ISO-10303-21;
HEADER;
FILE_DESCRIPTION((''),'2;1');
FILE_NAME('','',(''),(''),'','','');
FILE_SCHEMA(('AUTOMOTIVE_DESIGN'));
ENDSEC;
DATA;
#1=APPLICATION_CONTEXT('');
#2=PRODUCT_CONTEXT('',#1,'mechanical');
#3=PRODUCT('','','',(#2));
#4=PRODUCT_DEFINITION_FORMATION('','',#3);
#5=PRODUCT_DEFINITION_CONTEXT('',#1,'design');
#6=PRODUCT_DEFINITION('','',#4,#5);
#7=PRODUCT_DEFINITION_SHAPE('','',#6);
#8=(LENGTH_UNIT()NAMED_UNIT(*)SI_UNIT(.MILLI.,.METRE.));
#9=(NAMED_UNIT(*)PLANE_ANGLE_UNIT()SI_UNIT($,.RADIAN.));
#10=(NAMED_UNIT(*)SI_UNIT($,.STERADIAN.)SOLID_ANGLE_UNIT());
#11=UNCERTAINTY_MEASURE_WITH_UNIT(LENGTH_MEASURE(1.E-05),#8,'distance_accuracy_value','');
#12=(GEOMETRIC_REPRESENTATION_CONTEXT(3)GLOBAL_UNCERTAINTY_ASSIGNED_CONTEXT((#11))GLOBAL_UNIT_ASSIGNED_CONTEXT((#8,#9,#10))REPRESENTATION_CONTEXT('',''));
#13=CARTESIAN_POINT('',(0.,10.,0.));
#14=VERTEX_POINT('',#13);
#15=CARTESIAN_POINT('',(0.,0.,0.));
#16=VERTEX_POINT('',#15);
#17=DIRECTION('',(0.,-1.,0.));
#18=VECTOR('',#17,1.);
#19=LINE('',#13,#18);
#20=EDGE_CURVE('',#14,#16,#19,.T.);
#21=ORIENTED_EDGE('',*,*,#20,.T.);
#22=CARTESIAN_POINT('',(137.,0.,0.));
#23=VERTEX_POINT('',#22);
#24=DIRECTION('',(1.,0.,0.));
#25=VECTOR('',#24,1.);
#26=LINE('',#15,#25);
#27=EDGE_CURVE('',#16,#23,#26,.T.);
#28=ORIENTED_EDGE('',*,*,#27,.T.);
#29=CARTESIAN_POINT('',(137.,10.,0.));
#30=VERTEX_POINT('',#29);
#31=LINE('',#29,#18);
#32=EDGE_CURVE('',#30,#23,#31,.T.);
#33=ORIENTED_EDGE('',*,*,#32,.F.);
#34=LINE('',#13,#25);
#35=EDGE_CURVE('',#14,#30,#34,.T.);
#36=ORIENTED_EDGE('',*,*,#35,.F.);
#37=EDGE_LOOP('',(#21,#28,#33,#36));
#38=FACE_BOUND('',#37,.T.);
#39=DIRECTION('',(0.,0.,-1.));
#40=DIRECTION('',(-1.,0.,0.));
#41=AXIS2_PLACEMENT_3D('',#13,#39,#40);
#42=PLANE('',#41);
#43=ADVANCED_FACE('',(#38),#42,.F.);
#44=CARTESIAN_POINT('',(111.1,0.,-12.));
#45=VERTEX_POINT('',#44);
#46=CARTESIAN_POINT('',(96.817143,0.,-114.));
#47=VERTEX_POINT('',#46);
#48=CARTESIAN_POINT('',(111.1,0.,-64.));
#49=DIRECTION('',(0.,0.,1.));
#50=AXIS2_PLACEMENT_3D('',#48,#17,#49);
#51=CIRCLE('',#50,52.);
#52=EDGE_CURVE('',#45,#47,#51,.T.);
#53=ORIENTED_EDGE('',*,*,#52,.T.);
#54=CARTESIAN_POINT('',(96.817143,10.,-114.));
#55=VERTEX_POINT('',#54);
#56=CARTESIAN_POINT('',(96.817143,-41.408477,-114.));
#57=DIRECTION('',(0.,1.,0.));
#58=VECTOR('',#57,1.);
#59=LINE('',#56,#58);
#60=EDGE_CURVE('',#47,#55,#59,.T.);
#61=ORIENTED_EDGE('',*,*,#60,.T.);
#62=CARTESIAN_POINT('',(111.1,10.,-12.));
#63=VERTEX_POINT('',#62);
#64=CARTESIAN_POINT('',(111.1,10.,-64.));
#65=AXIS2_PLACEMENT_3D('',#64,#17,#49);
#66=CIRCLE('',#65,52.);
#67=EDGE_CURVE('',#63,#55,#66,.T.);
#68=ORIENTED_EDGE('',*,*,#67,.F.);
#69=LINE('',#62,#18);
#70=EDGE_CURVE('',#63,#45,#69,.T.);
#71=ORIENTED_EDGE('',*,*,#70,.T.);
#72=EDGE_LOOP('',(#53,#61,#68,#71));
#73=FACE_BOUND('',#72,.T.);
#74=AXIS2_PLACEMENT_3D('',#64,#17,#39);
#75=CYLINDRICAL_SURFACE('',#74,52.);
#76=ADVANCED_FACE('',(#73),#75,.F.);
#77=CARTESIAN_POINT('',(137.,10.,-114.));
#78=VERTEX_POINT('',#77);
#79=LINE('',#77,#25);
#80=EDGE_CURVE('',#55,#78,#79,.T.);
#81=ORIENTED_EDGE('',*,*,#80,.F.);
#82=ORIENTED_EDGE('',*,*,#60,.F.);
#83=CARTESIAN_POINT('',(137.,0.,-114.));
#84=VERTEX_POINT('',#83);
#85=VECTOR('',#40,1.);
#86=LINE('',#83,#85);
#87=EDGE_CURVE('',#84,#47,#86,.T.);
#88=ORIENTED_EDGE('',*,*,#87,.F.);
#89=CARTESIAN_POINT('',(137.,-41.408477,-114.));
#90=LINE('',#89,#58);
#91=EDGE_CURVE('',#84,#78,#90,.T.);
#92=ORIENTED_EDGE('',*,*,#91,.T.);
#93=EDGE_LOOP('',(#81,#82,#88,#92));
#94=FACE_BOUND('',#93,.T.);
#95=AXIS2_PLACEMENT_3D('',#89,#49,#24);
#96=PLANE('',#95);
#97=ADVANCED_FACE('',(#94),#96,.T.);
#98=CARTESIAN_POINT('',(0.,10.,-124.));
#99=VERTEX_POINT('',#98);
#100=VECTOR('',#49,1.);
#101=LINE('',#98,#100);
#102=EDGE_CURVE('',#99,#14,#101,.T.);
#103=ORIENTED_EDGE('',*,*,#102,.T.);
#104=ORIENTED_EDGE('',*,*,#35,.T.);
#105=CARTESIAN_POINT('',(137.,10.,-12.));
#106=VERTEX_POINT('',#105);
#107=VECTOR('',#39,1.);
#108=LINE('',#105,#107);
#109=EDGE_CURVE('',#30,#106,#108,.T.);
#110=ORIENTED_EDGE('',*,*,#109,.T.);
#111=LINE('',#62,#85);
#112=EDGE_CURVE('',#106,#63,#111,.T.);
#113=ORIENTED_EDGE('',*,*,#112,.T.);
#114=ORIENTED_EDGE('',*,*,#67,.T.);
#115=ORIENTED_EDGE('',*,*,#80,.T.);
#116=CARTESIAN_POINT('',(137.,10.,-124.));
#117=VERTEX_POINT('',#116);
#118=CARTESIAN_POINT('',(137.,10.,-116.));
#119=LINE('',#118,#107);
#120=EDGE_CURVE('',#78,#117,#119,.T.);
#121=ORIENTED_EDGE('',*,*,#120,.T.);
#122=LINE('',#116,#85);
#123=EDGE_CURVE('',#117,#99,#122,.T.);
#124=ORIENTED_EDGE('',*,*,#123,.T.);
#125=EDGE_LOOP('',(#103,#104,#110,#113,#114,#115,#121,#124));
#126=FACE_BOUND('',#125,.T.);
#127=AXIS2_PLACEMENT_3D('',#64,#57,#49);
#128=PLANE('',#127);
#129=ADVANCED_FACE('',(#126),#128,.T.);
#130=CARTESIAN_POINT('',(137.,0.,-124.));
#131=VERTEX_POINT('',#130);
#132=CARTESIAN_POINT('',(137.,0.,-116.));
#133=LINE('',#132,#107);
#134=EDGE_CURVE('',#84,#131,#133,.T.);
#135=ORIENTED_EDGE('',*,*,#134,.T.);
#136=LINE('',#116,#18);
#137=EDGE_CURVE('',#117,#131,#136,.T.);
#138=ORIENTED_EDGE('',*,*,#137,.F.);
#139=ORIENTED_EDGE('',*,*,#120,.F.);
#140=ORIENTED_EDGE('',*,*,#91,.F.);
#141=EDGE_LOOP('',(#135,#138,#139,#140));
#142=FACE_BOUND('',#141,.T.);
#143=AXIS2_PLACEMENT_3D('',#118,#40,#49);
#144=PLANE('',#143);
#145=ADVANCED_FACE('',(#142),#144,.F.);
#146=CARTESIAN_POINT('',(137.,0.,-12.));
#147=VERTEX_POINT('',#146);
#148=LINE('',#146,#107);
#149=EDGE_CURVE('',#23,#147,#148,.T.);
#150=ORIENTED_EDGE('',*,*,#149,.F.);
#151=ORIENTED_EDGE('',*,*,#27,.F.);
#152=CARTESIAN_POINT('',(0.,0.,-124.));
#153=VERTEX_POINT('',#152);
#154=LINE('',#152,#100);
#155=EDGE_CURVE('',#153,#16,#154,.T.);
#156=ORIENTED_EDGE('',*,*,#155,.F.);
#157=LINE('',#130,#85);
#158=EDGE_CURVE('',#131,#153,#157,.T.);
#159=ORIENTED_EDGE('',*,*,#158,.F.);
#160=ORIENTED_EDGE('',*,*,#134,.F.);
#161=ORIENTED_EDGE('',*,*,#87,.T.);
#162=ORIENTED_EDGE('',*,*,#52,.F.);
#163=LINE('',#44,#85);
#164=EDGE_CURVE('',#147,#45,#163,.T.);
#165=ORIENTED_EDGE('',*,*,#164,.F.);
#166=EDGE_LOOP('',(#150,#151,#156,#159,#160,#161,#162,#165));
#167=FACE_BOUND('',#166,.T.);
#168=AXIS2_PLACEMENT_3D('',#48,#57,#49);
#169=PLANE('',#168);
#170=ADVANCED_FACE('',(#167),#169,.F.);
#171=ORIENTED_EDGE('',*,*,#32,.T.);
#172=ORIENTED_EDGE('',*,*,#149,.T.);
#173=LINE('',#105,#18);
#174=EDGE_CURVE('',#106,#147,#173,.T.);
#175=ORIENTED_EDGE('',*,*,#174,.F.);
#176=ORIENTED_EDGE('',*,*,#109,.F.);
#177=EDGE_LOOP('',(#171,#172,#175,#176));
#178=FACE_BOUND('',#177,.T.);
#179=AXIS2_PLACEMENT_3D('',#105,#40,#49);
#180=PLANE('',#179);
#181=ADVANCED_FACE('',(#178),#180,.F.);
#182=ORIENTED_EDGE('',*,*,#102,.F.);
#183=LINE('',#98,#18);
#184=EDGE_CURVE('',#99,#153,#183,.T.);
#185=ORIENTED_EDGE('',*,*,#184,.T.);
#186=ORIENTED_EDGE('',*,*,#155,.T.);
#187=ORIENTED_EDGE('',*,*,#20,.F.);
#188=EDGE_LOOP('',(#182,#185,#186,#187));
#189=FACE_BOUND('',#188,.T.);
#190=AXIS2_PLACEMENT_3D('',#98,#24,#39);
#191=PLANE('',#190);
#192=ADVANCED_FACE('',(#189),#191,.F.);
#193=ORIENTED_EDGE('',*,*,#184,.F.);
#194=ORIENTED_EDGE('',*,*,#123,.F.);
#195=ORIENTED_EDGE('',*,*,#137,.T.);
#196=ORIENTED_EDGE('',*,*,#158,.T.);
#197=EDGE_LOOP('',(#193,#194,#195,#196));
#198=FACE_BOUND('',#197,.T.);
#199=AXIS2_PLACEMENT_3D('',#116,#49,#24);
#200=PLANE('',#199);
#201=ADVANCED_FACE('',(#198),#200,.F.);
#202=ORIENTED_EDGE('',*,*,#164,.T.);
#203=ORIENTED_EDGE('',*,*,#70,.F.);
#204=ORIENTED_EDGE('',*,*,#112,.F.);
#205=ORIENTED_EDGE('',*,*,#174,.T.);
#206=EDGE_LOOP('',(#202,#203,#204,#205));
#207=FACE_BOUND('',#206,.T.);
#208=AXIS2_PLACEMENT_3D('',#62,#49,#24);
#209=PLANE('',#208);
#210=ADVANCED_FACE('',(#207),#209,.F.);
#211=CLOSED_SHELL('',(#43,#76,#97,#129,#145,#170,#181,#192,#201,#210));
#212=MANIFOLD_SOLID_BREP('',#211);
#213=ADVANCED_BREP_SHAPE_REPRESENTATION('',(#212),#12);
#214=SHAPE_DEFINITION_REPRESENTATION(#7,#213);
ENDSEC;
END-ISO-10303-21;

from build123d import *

# Parameters (mm, degrees)
BOSS_EXTRUDE1_DEPTH = 10
SKETCH2_W           = 40.182856857
SKETCH2_H           = 10
BOSS_EXTRUDE2_DEPTH = 10


with BuildPart() as part:
    # Sketch1 → Boss-Extrude1 (new body)
    with BuildSketch(Plane(origin=(0, 0, 0), x_dir=(1, 0, 0), z_dir=(0, 1, 0))):
        with BuildLine():
            Line((137, 124), (0, 124))
            Line((0, 124), (0, 0))
            Line((0, 0), (137, 0))
            Line((137, 0), (137, 12))
            Line((137, 12), (111.1, 12))
            ThreePointArc((111.1, 12), (59.1, 64), (111.1, 116))
            Line((111.1, 116), (137, 116))
            Line((137, 116), (137, 124))
        make_face()
    extrude(amount=BOSS_EXTRUDE1_DEPTH)

    # Sketch2 → Boss-Extrude2 (add)
    with BuildSketch(Plane(origin=(0, 10, 0), x_dir=(1, 0, 0), z_dir=(0, 1, 0))):
        with Locations((116.908571572, 119)):
            Rectangle(SKETCH2_W, SKETCH2_H)
    extrude(amount=-BOSS_EXTRUDE2_DEPTH)


solid = part.part
